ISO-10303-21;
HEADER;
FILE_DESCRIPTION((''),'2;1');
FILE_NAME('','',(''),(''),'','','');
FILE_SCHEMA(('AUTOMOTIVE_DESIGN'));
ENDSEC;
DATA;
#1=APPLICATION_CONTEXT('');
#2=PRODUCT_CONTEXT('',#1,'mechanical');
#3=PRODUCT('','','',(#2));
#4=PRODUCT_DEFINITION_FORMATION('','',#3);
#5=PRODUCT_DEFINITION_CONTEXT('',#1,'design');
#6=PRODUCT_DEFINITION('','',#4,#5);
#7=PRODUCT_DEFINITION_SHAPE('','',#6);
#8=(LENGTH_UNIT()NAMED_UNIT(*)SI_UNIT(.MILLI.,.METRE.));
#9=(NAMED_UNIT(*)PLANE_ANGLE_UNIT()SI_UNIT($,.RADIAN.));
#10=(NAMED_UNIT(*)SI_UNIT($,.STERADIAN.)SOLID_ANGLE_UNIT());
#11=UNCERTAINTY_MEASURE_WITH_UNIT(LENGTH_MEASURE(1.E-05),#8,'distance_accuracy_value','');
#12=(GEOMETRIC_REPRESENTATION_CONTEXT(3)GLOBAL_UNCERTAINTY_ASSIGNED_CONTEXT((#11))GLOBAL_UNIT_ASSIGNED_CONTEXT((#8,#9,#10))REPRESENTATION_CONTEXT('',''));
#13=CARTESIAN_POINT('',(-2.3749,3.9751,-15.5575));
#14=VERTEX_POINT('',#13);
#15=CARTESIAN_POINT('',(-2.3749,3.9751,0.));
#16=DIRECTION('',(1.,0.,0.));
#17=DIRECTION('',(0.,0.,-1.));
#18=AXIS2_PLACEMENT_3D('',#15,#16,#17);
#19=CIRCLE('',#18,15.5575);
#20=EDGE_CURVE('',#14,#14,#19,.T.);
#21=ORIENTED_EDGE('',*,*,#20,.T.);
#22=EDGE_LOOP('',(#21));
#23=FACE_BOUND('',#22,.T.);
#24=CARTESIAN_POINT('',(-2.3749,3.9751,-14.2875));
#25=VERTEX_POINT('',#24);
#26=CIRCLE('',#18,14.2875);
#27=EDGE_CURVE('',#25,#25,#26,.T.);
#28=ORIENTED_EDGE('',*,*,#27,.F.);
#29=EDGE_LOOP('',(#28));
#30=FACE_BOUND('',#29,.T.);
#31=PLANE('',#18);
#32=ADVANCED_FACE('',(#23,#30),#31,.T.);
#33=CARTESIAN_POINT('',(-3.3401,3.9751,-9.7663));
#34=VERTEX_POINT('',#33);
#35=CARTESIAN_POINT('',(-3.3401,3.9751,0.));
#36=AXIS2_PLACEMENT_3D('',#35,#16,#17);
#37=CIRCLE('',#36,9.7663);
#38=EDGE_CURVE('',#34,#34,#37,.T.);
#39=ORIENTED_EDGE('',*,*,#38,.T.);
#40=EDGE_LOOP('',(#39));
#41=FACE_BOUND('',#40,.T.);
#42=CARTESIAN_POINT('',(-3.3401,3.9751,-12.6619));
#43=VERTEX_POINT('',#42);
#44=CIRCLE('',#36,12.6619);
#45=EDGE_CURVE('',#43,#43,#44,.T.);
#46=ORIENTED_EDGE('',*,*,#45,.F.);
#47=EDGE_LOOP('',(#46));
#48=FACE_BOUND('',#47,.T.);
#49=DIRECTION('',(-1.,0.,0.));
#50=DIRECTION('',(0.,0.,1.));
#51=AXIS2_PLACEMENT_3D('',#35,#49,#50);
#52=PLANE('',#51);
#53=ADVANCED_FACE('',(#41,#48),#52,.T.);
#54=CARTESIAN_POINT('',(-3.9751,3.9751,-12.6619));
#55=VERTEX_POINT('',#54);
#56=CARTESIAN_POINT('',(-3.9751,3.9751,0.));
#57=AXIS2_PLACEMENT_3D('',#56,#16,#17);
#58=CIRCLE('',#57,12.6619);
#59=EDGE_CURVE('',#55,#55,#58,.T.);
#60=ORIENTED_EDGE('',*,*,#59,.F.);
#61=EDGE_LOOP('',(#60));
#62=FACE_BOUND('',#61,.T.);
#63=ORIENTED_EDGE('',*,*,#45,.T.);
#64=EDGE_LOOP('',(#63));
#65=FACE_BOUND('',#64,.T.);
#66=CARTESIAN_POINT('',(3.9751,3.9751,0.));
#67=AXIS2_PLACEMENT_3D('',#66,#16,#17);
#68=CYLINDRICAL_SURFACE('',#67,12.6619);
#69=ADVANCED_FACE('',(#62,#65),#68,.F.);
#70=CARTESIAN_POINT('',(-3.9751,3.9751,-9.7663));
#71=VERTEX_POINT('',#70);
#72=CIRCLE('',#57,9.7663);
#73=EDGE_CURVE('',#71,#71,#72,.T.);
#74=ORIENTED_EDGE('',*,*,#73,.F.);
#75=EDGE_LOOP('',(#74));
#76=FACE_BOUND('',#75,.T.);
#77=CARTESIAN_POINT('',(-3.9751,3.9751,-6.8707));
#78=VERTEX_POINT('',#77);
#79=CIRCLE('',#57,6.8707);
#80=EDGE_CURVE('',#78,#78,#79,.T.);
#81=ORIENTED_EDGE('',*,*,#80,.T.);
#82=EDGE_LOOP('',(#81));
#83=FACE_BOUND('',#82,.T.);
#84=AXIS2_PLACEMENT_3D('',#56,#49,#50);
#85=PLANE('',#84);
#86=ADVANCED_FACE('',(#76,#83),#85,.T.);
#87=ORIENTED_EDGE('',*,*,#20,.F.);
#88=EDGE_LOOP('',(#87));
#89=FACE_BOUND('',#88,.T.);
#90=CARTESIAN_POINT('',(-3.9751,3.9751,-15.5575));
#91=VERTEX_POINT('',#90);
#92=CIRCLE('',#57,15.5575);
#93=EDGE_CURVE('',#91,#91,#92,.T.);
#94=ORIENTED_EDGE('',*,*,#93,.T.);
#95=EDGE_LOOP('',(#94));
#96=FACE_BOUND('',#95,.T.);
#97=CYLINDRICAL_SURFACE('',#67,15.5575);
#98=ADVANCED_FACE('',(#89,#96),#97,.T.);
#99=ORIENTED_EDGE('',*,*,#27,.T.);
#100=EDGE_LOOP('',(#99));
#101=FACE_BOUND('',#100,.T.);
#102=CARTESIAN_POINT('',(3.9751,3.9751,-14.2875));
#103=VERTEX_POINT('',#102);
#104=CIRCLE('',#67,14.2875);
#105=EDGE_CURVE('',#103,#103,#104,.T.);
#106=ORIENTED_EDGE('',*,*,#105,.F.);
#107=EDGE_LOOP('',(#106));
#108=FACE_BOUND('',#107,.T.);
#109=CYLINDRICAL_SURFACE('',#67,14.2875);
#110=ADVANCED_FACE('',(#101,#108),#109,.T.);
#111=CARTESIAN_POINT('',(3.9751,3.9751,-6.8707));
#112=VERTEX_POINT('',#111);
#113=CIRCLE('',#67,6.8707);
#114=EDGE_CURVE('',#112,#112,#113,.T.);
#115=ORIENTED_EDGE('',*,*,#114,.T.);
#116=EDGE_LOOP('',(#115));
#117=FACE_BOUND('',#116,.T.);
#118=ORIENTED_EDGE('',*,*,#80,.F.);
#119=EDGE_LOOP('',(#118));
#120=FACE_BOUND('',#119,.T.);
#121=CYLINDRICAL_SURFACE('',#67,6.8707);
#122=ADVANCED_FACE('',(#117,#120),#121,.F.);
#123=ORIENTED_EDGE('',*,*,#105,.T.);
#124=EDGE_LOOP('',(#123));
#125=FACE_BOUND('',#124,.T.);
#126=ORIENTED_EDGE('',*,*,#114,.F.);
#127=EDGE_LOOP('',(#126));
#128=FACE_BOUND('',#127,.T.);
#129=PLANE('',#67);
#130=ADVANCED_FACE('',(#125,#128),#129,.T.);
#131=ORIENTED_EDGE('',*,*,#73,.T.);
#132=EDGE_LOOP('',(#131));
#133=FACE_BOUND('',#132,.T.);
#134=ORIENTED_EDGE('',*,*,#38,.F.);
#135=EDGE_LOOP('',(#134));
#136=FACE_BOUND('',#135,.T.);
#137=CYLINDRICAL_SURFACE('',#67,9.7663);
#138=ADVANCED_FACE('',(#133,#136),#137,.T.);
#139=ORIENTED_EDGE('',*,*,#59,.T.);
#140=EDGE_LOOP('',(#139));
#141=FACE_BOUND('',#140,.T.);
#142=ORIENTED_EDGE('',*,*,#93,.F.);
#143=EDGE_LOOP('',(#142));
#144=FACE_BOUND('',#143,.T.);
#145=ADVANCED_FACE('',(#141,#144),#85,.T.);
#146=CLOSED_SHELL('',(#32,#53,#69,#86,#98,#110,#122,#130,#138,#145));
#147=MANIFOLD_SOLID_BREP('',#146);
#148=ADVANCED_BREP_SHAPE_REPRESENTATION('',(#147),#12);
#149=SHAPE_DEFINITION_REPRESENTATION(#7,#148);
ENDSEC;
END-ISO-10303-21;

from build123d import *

# Parameters (mm, degrees)
BODY_MOVE_COPY1_ANGLE = 90


with BuildPart() as part:
    # Sketch5 → Revolve1 (revolve)
    with BuildSketch(Plane.XY, mode=Mode.PRIVATE) as revolve1_sk:
        Polygon((6.8707, 7.9502), (6.8707, 0), (14.2875, 0), (14.2875, 6.35), (15.5575, 6.35), (15.5575, 7.9502), (12.6619, 7.9502), (12.6619, 7.3152), (9.7663, 7.3152), (9.7663, 7.9502), align=None)
    revolve(revolve1_sk.sketch.rotate(Axis((0, 0, 0), (0, 1, 0)), 90), axis=Axis((0, 0, 0), (0, 1, 0)))


with BuildPart() as part_1:
    # Body-Move/Copy1: moved
    add(part.part.rotate(Axis((0, 3.9751, 0), (0, 0, 1)), BODY_MOVE_COPY1_ANGLE))


solid = part_1.part
